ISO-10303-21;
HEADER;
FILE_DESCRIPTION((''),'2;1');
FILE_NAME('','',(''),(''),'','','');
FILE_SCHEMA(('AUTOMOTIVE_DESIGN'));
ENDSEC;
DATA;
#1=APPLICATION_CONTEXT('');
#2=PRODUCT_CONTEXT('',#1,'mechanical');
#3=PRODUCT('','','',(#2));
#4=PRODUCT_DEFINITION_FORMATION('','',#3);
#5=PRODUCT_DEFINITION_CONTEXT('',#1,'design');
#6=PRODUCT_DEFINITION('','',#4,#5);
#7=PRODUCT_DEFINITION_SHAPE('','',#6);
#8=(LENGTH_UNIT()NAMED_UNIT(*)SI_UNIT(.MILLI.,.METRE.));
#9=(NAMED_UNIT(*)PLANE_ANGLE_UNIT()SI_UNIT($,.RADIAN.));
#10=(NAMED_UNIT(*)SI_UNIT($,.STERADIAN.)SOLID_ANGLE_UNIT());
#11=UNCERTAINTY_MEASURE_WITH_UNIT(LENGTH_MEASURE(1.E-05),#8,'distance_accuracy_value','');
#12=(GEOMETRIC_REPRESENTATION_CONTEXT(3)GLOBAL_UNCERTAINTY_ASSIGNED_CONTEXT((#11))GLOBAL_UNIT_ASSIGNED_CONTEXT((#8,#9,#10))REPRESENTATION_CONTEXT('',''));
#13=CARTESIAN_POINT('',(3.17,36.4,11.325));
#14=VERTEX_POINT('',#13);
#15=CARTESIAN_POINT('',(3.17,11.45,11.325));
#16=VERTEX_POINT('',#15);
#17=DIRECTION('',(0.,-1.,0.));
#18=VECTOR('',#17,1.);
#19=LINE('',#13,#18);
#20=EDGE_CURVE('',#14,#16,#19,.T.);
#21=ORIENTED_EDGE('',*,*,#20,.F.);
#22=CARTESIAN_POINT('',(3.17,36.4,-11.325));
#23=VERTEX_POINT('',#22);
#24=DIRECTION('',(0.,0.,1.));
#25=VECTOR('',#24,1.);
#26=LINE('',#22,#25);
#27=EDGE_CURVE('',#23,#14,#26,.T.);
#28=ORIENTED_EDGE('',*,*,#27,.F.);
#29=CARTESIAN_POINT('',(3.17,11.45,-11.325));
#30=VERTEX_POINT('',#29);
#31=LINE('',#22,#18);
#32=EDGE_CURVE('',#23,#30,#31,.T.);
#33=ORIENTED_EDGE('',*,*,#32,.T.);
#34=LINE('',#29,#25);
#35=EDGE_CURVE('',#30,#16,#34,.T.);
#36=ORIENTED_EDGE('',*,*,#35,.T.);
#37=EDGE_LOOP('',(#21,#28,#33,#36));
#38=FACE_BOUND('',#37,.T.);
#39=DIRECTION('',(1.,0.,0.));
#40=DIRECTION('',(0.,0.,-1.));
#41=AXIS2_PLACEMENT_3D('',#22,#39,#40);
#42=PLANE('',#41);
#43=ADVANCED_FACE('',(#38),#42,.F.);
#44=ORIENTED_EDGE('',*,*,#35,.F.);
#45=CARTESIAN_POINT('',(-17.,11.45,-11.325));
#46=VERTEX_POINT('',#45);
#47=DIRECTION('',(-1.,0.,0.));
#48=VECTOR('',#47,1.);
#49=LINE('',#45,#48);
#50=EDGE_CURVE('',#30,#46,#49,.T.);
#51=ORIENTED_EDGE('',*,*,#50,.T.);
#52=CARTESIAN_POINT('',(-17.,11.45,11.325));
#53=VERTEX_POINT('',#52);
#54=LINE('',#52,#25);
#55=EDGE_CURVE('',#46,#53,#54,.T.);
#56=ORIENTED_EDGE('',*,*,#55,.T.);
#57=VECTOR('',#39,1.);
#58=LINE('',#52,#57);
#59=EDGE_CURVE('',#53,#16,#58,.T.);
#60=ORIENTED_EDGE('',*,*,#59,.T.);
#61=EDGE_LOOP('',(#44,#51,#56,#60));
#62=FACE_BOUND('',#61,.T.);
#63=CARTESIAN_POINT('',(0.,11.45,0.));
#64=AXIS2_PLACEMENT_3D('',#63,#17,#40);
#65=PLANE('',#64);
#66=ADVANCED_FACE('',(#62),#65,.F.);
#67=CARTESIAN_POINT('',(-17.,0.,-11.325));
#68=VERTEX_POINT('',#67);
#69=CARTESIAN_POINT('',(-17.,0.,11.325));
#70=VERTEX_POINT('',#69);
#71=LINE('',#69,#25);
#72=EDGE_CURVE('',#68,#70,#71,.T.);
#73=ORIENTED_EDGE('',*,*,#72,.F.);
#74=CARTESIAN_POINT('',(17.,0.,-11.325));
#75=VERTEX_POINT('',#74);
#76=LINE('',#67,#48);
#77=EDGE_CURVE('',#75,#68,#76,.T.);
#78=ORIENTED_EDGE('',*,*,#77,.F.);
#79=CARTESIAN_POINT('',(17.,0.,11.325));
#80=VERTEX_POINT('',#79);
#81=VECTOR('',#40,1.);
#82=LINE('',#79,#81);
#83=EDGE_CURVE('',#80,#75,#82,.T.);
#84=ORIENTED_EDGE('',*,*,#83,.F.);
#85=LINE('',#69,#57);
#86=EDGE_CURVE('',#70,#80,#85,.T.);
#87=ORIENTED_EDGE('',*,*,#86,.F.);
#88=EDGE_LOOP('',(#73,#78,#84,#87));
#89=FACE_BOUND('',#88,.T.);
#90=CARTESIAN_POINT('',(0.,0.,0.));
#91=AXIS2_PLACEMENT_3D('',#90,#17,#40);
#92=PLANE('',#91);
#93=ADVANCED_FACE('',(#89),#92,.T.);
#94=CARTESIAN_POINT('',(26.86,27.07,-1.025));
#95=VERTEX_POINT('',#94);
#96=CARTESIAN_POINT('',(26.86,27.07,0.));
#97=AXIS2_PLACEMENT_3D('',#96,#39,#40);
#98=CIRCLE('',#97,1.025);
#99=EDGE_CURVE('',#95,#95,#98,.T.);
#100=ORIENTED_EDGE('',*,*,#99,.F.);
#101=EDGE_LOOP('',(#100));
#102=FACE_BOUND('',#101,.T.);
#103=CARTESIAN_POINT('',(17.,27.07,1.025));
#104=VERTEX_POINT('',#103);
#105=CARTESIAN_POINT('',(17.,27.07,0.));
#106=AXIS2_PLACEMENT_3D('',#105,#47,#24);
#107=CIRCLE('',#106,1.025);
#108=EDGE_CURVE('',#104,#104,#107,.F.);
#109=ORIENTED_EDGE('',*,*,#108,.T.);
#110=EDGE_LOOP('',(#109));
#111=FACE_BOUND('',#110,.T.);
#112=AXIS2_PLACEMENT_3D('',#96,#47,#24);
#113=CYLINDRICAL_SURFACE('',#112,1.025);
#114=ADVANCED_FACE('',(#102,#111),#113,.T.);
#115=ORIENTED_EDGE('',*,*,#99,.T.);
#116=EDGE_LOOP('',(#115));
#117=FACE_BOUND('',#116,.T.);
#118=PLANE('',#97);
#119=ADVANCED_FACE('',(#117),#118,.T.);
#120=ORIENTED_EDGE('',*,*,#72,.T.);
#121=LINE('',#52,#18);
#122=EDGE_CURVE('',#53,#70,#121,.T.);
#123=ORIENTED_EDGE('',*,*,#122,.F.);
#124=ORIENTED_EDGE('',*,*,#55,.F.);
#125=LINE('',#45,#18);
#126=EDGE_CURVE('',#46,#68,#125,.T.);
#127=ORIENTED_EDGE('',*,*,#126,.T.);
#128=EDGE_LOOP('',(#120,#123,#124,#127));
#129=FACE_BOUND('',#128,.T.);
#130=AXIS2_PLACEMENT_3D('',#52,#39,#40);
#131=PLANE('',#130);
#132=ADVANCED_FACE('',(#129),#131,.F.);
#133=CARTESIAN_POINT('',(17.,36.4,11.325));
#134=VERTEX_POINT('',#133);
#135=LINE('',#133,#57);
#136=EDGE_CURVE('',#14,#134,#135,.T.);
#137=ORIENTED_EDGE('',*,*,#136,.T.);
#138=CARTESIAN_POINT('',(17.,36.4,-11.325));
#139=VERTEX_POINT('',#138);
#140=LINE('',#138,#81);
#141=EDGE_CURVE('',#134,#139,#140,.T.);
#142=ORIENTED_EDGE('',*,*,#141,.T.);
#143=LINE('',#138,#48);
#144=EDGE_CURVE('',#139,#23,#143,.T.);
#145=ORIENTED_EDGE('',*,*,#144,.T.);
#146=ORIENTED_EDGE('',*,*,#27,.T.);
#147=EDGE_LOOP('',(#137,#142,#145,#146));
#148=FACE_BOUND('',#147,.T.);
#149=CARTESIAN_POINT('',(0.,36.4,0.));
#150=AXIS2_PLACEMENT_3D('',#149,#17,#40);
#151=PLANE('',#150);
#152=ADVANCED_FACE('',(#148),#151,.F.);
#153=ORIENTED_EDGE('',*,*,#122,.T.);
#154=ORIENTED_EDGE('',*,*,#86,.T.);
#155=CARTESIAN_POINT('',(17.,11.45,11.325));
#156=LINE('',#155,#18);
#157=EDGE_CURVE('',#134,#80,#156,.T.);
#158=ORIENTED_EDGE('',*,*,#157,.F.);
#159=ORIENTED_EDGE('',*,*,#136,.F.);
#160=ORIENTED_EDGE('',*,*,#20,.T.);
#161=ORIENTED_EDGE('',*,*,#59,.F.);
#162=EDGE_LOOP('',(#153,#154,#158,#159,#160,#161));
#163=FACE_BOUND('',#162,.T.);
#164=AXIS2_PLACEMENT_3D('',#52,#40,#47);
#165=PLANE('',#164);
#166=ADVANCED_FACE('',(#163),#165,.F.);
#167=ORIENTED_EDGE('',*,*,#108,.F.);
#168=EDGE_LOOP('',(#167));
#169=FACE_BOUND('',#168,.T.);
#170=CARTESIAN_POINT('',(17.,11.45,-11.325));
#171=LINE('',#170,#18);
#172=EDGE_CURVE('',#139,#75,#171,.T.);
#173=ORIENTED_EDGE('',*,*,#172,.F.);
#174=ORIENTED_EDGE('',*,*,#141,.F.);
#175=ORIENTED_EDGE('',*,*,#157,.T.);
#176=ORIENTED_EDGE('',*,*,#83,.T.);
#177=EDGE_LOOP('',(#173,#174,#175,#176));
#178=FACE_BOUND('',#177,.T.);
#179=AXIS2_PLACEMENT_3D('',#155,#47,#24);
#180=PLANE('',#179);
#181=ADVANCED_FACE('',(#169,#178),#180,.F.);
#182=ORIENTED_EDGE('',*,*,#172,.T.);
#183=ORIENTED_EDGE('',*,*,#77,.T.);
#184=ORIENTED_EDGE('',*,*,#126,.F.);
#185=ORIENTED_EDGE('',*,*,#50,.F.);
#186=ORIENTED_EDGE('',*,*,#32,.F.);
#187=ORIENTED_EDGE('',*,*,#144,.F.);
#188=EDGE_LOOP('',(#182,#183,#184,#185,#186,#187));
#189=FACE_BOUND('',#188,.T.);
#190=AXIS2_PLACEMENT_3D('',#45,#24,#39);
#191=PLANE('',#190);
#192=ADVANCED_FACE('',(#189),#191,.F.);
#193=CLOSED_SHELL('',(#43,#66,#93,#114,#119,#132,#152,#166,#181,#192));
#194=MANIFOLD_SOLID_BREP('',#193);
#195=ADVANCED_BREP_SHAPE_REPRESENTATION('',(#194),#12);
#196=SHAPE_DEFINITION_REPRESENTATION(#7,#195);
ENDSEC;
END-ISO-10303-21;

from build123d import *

# Parameters (mm, degrees)
SKETCH1_W           = 34
SKETCH1_H           = 22.65
BOSS_EXTRUDE1_DEPTH = 11.45
SKETCH2_W           = 13.83
SKETCH2_H           = 22.65
BOSS_EXTRUDE2_DEPTH = 24.95
SKETCH5_R           = 1.025
BOSS_EXTRUDE3_DEPTH = 9.86


with BuildPart() as part:
    # Sketch1 → Boss-Extrude1 (new body)
    with BuildSketch(Plane(origin=(0, 0, 0), x_dir=(1, 0, 0), z_dir=(0, 1, 0))):
        Rectangle(SKETCH1_W, SKETCH1_H)
    extrude(amount=BOSS_EXTRUDE1_DEPTH)

    # Sketch2 → Boss-Extrude2 (add)
    with BuildSketch(Plane(origin=(0, 11.45, 0), x_dir=(1, 0, 0), z_dir=(0, 1, 0))):
        with Locations((10.085, 0)):
            Rectangle(SKETCH2_W, SKETCH2_H)
    extrude(amount=BOSS_EXTRUDE2_DEPTH)

    # Sketch5 → Boss-Extrude3 (add)
    with BuildSketch(Plane(origin=(17, 0, 0), x_dir=(0, 0, -1), z_dir=(1, 0, 0))):
        with Locations(Location((0, 27.07, 0), (0, 0, 180))):
            Circle(SKETCH5_R)
    extrude(amount=BOSS_EXTRUDE3_DEPTH)


solid = part.part
